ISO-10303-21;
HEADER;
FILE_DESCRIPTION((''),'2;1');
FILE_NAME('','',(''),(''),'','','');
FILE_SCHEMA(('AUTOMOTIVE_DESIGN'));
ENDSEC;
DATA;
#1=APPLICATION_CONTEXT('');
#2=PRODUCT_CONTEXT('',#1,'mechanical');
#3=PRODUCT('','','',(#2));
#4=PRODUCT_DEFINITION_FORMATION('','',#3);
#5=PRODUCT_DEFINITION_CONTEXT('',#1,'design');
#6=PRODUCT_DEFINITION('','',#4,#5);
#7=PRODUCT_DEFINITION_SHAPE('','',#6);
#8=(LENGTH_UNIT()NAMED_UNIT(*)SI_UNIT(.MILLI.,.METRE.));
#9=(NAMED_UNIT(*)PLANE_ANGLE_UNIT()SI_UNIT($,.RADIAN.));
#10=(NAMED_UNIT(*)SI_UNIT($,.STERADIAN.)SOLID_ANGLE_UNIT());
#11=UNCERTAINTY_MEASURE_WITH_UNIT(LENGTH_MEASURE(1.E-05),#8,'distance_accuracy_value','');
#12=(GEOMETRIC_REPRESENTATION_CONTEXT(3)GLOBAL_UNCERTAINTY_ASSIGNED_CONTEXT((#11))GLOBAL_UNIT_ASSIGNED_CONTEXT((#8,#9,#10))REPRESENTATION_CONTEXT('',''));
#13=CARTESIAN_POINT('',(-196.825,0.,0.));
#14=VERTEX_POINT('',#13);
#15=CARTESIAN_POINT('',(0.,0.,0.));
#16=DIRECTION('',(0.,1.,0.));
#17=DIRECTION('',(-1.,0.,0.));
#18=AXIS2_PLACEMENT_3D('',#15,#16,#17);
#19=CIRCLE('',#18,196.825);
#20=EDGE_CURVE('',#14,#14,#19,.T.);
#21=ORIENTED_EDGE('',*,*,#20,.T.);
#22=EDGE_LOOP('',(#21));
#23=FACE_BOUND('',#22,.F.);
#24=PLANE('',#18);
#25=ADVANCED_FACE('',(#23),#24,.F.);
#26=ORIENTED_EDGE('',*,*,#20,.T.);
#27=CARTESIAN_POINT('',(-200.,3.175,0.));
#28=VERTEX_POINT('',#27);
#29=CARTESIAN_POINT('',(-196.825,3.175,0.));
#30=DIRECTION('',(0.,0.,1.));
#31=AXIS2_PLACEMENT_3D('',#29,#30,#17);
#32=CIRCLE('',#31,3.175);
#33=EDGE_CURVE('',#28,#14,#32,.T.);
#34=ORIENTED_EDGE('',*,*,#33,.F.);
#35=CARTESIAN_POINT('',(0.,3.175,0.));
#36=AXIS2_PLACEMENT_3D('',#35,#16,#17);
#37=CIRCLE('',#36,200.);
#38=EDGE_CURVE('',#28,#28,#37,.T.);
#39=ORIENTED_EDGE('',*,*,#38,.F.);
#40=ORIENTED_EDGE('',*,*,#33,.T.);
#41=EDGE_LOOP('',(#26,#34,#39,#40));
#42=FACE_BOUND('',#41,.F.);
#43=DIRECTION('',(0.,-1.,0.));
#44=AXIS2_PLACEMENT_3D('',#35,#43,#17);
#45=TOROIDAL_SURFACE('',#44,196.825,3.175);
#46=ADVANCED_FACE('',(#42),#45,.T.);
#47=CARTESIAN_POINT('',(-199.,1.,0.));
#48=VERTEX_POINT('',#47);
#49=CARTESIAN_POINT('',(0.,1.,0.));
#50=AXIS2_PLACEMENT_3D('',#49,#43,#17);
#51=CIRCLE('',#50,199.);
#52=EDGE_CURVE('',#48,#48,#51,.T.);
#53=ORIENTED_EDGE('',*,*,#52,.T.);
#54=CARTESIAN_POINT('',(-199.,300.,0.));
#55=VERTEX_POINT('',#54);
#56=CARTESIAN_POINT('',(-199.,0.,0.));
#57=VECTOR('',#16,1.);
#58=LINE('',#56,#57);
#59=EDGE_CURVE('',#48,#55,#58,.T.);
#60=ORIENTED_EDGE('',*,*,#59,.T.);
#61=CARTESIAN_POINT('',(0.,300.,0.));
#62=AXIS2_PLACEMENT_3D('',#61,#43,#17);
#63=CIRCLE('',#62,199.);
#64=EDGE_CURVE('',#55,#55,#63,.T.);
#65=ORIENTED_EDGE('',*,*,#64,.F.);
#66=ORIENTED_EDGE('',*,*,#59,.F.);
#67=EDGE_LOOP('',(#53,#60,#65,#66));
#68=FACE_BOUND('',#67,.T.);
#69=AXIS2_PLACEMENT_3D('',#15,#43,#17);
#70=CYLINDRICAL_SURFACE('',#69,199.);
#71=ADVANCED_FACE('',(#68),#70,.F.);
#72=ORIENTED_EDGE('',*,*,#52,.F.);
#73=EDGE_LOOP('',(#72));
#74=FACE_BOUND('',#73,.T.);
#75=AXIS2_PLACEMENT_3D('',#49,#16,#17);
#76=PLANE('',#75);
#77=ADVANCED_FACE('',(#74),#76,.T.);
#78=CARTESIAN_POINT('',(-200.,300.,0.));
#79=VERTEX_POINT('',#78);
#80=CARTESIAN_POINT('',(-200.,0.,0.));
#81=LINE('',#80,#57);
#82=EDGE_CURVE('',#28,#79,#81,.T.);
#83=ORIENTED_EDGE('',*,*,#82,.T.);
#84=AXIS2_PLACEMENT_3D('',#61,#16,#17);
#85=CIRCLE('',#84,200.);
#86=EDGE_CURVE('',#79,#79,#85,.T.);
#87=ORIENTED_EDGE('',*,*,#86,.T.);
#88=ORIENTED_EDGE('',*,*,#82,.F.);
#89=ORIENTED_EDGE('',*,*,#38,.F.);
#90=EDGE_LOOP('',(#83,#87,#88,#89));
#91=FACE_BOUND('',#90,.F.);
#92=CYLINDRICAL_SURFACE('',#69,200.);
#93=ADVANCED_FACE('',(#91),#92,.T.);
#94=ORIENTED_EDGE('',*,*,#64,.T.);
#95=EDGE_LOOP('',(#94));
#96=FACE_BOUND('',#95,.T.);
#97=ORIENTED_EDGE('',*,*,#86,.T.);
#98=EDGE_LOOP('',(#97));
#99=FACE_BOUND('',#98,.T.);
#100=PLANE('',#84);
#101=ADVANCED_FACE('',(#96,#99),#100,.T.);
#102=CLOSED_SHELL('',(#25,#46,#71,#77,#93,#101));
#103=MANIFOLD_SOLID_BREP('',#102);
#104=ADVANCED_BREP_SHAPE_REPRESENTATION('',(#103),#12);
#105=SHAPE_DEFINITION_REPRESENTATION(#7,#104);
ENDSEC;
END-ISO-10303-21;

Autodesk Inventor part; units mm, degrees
ref_plane "YZ Plane" through (0, 0, 0) normal (1, 0, 0) x (0, 1, 0)
ref_plane "XZ Plane" through (0, 0, 0) normal (0, 1, 0) x (-1, 0, 0)
ref_plane "XY Plane" through (0, 0, 0) normal (0, 0, 1) x (1, 0, 0)
sketch "Sketch1" plane through (0, 0, 0) normal (0, 1, 0) x (-1, 0, 0)
  circle A0 centre (0, 0) radius 200
  dimension "d0" = 400
extrude "Extrusion1" add sketch "Sketch1" along normal blind 300
shell "Shell1" thickness 1 removed faces 1 at (26.6799, 300, 17.8469)
fillet "Fillet1" radius 3.175 1 edges at (200, 0, 0)
properties part number "distilate_tank"
